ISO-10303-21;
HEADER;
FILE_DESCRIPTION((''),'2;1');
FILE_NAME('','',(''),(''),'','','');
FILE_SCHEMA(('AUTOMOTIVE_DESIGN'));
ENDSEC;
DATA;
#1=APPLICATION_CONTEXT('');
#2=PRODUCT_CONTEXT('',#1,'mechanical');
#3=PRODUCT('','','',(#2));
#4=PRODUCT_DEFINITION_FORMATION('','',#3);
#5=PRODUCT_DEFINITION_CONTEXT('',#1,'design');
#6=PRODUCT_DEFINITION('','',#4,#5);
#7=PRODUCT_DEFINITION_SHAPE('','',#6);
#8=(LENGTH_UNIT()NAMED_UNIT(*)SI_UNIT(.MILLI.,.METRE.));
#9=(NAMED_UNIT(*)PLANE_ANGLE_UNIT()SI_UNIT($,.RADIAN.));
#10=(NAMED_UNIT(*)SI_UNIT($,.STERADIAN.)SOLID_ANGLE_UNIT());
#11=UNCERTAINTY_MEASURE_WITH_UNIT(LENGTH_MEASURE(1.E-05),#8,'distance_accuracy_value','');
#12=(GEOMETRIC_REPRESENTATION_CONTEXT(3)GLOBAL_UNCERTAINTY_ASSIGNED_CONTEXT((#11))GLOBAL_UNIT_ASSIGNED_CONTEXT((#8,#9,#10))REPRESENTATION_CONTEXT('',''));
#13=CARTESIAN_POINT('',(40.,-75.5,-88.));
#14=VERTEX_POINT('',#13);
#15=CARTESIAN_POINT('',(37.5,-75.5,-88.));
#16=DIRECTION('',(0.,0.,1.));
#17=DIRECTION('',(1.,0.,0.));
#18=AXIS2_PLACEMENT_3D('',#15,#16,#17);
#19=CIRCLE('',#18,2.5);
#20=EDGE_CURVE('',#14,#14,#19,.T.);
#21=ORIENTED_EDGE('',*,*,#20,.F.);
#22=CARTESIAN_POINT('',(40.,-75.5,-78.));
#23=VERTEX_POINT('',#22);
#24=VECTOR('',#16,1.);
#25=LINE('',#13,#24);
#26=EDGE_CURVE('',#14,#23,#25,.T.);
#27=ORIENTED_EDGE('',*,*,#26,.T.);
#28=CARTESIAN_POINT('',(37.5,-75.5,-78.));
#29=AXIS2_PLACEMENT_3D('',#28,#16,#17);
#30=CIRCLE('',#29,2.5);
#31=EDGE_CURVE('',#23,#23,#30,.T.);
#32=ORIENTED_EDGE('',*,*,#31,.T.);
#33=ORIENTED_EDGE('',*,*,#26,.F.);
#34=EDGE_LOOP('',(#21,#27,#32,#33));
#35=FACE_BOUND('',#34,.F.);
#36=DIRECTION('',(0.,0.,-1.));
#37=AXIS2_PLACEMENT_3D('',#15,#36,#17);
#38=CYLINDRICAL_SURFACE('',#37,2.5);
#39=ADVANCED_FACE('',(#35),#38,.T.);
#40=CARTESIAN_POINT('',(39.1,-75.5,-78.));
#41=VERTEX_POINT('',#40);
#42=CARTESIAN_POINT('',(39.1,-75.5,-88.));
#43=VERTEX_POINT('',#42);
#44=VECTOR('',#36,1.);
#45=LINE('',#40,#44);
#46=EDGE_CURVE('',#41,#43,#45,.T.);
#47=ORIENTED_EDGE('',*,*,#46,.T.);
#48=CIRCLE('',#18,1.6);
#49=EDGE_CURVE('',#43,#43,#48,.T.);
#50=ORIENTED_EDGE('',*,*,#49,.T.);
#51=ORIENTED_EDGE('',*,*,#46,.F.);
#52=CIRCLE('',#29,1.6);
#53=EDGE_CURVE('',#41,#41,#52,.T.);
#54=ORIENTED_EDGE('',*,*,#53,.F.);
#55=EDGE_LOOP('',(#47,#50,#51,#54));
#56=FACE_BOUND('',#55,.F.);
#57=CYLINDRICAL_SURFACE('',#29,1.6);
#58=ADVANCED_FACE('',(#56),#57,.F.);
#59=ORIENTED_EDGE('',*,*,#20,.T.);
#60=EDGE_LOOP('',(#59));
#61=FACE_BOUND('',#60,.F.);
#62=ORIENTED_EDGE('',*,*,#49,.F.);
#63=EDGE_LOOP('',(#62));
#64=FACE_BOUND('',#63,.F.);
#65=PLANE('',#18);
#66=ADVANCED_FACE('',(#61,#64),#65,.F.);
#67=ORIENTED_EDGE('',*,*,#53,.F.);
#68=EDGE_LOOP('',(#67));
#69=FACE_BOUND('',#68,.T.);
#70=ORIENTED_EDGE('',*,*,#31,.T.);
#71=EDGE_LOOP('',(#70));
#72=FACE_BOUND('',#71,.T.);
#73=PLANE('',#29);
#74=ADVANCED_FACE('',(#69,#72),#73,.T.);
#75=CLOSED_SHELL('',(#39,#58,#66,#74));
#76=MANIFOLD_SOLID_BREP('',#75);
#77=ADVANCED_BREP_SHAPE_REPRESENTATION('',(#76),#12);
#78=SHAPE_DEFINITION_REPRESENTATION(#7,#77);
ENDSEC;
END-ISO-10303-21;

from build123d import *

# Parameters (mm, degrees)
SKETCH059_R  = 1.6
PAD025_DEPTH = 10
SKETCH058_R  = 2.5
PAD024_DEPTH = 10


with BuildPart() as pad025:
    # Sketch059 → Pad025 (new body)
    with BuildSketch(Plane.XY.offset(10)):
        Circle(SKETCH059_R)
    extrude(amount=-PAD025_DEPTH)


with BuildPart() as cut040:
    # Sketch058 → Pad024 (new body)
    with BuildSketch(Plane.XY):
        Circle(SKETCH058_R)
    extrude(amount=PAD024_DEPTH)

    # Cut040: cut Pad025
    add(pad025.part, mode=Mode.SUBTRACT)


with BuildPart() as cut040_1:
    # Cut040 placement: moved
    add(cut040.part.moved(Location((37.5, -75.5, -88))))


solid = cut040_1.part
